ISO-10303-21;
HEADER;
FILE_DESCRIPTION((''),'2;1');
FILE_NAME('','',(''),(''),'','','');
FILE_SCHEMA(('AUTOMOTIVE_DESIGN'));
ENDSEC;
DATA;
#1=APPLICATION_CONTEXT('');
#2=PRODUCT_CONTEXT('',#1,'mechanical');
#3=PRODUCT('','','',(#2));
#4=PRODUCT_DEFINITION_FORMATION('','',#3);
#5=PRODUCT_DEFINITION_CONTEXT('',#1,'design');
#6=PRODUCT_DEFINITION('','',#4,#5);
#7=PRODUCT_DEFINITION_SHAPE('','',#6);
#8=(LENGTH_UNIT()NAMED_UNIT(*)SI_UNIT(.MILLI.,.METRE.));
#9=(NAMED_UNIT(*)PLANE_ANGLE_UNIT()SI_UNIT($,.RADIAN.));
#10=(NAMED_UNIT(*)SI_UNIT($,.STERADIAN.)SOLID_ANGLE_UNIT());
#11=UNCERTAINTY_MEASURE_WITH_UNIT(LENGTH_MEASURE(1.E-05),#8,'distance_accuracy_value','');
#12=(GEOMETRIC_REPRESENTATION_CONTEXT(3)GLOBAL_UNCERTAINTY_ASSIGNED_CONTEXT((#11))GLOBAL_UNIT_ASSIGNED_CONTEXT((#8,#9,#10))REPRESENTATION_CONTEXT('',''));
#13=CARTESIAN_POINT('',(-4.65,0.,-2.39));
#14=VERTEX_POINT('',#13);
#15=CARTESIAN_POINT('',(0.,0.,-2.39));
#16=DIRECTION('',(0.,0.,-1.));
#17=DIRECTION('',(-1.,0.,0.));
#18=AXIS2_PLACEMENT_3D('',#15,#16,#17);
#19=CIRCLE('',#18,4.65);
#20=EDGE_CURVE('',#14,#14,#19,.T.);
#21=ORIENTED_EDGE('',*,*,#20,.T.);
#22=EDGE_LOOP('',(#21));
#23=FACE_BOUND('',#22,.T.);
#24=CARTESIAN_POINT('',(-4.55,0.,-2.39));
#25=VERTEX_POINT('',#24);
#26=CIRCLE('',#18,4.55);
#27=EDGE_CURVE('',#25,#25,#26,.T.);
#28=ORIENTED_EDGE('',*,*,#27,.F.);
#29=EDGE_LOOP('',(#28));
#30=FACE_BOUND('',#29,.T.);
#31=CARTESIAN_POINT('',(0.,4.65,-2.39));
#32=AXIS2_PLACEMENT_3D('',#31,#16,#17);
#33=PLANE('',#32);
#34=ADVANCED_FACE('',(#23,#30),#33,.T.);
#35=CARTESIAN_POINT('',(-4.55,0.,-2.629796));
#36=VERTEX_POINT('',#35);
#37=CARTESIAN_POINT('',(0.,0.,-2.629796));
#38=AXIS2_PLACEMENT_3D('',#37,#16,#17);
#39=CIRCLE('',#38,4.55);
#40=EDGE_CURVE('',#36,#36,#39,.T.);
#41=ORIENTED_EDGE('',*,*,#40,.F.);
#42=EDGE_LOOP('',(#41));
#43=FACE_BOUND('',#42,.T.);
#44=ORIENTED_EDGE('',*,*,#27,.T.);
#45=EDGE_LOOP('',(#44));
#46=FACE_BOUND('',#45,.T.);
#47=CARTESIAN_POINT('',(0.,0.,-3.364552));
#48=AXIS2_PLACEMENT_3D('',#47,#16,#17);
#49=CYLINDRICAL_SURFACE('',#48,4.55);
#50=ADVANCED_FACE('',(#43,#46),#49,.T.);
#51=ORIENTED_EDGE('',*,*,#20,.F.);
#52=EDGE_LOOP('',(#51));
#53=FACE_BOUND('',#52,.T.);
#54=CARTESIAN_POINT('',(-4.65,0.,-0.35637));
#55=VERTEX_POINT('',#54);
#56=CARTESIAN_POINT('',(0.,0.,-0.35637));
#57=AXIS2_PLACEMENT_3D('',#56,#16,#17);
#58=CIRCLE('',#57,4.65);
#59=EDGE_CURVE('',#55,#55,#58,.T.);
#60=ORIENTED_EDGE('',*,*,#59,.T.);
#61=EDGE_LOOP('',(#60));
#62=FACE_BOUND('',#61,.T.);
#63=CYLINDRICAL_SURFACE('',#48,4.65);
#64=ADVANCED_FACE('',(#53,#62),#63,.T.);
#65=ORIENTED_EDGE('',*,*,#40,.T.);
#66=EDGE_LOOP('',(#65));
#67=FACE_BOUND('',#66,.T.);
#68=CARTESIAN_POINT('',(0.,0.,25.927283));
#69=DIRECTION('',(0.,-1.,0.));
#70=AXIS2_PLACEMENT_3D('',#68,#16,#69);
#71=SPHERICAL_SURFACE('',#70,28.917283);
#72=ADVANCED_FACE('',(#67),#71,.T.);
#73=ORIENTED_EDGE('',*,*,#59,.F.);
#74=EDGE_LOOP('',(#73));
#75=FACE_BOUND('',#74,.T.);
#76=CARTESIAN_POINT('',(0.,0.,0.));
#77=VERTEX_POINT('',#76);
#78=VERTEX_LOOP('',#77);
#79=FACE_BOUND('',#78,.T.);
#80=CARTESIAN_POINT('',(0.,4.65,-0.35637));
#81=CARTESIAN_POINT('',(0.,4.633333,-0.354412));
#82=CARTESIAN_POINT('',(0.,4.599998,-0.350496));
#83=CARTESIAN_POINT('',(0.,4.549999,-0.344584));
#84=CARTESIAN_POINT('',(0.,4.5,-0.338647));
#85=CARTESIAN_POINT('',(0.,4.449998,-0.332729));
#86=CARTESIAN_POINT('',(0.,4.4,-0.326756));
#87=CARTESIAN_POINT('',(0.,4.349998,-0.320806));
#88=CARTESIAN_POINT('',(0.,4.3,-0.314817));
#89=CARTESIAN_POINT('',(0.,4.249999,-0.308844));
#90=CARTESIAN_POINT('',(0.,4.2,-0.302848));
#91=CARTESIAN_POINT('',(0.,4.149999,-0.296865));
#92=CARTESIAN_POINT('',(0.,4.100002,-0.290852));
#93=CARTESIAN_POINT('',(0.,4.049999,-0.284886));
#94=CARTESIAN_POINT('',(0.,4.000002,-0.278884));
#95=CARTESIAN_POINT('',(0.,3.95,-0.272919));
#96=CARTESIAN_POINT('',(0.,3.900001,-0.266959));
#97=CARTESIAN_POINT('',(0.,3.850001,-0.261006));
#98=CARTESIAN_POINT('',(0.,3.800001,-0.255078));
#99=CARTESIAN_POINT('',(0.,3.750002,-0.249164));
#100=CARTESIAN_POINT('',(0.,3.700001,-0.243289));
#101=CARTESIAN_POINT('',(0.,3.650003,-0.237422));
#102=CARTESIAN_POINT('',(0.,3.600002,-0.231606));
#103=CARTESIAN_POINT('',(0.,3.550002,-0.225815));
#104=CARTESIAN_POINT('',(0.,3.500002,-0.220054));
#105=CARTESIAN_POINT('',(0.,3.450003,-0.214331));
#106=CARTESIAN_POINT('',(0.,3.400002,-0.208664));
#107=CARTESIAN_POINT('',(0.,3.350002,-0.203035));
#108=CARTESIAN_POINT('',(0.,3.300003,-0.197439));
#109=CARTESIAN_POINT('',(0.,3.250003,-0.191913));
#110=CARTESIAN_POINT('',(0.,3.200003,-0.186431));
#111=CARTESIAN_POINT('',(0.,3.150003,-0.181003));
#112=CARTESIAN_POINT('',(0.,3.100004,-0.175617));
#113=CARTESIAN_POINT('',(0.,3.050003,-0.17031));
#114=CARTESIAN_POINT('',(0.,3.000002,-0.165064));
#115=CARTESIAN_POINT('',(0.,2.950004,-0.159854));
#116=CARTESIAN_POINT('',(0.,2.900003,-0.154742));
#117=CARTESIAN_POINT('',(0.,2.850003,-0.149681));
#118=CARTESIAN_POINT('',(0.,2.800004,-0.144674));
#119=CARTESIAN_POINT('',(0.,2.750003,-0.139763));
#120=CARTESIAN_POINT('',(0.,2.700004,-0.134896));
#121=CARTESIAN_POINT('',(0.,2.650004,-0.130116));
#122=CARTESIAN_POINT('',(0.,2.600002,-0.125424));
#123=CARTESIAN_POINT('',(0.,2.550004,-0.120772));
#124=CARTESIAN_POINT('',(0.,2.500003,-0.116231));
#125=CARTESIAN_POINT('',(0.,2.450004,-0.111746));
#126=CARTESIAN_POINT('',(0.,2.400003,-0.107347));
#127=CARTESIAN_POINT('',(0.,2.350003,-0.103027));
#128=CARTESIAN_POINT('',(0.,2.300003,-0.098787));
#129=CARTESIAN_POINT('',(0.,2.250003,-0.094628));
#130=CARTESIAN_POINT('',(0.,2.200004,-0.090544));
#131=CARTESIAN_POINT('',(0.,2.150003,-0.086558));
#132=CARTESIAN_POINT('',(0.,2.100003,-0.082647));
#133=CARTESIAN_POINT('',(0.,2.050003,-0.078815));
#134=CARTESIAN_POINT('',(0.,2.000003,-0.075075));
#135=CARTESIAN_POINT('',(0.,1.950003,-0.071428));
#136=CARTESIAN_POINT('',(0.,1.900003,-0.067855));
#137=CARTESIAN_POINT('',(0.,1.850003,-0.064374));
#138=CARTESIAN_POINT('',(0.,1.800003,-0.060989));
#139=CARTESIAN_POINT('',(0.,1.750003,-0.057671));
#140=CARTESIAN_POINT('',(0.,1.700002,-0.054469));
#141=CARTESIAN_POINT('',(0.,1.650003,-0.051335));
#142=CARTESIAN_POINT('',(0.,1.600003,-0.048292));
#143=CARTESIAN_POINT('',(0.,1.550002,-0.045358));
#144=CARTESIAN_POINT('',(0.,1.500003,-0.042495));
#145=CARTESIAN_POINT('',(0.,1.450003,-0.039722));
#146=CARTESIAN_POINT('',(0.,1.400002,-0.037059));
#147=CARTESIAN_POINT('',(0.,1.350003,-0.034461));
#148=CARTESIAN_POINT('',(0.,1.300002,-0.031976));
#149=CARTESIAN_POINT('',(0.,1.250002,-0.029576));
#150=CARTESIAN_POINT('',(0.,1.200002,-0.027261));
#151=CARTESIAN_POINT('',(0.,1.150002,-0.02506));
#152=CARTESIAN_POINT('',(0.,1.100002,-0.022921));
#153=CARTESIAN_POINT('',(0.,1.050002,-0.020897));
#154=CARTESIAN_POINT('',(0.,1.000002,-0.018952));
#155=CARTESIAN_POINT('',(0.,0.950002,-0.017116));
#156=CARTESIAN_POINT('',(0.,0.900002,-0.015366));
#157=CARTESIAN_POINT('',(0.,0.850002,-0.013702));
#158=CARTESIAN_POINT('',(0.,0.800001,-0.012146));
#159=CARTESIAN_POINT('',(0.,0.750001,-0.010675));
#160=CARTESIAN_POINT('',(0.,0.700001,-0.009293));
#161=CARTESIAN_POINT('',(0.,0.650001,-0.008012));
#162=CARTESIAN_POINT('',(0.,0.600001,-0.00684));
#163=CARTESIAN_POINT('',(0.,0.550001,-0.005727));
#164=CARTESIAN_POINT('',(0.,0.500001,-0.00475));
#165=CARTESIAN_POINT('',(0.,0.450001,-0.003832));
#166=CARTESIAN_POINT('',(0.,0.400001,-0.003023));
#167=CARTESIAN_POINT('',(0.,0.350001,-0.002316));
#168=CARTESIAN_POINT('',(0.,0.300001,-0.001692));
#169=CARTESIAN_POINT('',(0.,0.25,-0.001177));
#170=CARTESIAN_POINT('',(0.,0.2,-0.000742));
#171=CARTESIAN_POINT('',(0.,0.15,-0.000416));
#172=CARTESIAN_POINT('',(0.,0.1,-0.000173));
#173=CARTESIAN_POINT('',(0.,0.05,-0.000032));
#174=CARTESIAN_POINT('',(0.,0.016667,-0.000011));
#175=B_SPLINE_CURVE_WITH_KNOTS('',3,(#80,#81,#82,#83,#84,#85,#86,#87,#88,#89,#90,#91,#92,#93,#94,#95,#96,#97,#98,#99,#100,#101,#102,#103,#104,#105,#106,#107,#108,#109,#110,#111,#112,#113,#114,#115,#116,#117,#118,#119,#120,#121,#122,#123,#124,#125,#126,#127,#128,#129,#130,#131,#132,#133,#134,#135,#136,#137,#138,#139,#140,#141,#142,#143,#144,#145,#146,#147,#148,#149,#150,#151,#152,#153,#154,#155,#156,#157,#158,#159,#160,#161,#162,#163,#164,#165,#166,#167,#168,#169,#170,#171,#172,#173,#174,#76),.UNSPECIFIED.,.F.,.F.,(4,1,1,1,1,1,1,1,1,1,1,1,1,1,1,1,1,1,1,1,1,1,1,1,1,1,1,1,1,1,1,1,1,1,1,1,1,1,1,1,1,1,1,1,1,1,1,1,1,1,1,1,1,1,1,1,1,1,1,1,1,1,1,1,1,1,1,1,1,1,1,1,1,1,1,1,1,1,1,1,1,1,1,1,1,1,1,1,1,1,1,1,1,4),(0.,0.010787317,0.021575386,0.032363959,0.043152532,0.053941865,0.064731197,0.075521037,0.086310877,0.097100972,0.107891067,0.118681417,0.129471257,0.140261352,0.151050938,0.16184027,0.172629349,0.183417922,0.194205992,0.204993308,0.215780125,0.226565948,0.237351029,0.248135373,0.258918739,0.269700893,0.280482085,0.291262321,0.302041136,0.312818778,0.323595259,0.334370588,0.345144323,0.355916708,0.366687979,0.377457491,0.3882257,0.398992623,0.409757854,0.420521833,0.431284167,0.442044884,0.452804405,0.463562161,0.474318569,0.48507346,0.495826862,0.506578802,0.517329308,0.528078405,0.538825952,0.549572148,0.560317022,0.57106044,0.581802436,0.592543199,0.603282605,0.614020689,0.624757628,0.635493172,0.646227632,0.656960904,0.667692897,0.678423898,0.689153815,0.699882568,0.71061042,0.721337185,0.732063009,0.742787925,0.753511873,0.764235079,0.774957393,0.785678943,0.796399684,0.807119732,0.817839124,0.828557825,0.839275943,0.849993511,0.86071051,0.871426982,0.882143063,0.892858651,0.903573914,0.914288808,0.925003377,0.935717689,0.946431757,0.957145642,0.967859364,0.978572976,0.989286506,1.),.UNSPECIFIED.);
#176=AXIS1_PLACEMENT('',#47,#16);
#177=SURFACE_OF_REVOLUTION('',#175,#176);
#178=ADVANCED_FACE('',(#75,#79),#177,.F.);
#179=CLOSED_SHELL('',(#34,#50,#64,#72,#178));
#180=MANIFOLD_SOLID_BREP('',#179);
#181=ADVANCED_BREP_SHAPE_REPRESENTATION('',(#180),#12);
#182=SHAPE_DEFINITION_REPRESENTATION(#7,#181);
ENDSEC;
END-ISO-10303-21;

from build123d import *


with BuildPart() as part:
    # Sketch1 → Revolve1 (revolve)
    with BuildSketch(Plane(origin=(0, 0, 0), x_dir=(0, 0, -1), z_dir=(1, 0, 0)), mode=Mode.PRIVATE) as revolve1_sk:
        with BuildLine():
            Line((0, 0), (2.99, 0))
            ThreePointArc((2.99, 0), (2.899808326, 2.28211782), (2.629795913, 4.55))
            Line((2.629795913, 4.55), (2.39, 4.55))
            Line((2.39, 4.55), (2.39, 4.65))
            Line((2.39, 4.65), (0.35637, 4.65))
            add(Edge.make_bspline(
                [(0, 0), (1.0585e-05, 0.016666675), (3.1754e-05, 0.050000082), (0.000172984, 0.100000196), (0.000416313, 0.150000247), (0.000741771, 0.200000393), (0.00117662, 0.250000412), (0.001691776, 0.300000587), (0.002316315, 0.350000583), (0.003023011, 0.40000076), (0.003831708, 0.450000894), (0.004750245, 0.500000688), (0.005727405, 0.550001239), (0.00684027, 0.600000834), (0.008011649, 0.650001266), (0.009293313, 0.700001334), (0.01067531, 0.750001275), (0.01214567, 0.800001341), (0.013702261, 0.850001644), (0.015365589, 0.900001517), (0.0171157, 0.950001587), (0.018951964, 1.000001943), (0.020896861, 1.050001711), (0.022921025, 1.100002178), (0.025059538, 1.150001612), (0.027261298, 1.200002349), (0.029575863, 1.250002083), (0.031975857, 1.300002154), (0.03446136, 1.350002643), (0.037059448, 1.400001958), (0.039721548, 1.450002813), (0.042495217, 1.500002527), (0.045358437, 1.550002215), (0.048291875, 1.600003075), (0.051335098, 1.650002776), (0.054468758, 1.7000024), (0.057670873, 1.750003421), (0.060988964, 1.800002529), (0.064374387, 1.85000313), (0.067854739, 1.900003194), (0.071427974, 1.950002793), (0.075074642, 2.00000335), (0.078814906, 2.050003415), (0.082647252, 2.100003052), (0.086557534, 2.150003089), (0.09054412, 2.200003703), (0.094627689, 2.250003213), (0.098786764, 2.300003351), (0.103026935, 2.350003402), (0.107347243, 2.400003436), (0.111745903, 2.450003623), (0.116230995, 2.500002917), (0.120771898, 2.550004422), (0.125423536, 2.600002475), (0.130115659, 2.650003882), (0.134895907, 2.700003934), (0.139762863, 2.750002653), (0.144674474, 2.800004184), (0.149681451, 2.850002876), (0.154741593, 2.900002887), (0.159854091, 2.950004395), (0.165064395, 3.000002331), (0.170310094, 3.050003154), (0.175617215, 3.100003863), (0.181003305, 3.150002527), (0.186431372, 3.200002759), (0.19191297, 3.250002608), (0.197438586, 3.300003494), (0.203034761, 3.350002086), (0.208663943, 3.40000219), (0.214331023, 3.450002921), (0.220053799, 3.500002244), (0.22581534, 3.550001694), (0.231606071, 3.600001616), (0.237421619, 3.650002537), (0.243288933, 3.700000908), (0.249163602, 3.750001933), (0.255077802, 3.80000105), (0.261006064, 3.85000126), (0.266958731, 3.900000549), (0.272919479, 3.950000459), (0.278883821, 4.000001537), (0.284885897, 4.049998895), (0.290852452, 4.100001703), (0.296864862, 4.149999018), (0.302847864, 4.200000256), (0.308843588, 4.249999172), (0.314817453, 4.300000304), (0.320806458, 4.349998433), (0.326756057, 4.40000047), (0.332729079, 4.449997731), (0.33864665, 4.500000398), (0.344584088, 4.549998725), (0.350496215, 4.599998089), (0.354412117, 4.633333084), (0.35637, 4.65)],
                knots=[0, 0, 0, 0, 0.010713494, 0.021427024, 0.032140636, 0.042854358, 0.053568243, 0.064282311, 0.074996623, 0.085711192, 0.096426086, 0.107141349, 0.117856937, 0.128573018, 0.13928949, 0.150006489, 0.160724057, 0.171442175, 0.182160876, 0.192880268, 0.203600316, 0.214321057, 0.225042607, 0.235764921, 0.246488127, 0.257212075, 0.267936991, 0.278662815, 0.28938958, 0.300117432, 0.310846185, 0.321576102, 0.332307103, 0.343039096, 0.353772368, 0.364506828, 0.375242372, 0.385979311, 0.396717395, 0.407456801, 0.418197564, 0.42893956, 0.439682978, 0.450427852, 0.461174048, 0.471921595, 0.482670692, 0.493421198, 0.504173138, 0.51492654, 0.525681431, 0.536437839, 0.547195595, 0.557955116, 0.568715833, 0.579478167, 0.590242146, 0.601007377, 0.6117743, 0.622542509, 0.633312021, 0.644083292, 0.654855677, 0.665629412, 0.676404741, 0.687181222, 0.697958864, 0.708737679, 0.719517915, 0.730299107, 0.741081261, 0.751864627, 0.762648971, 0.773434052, 0.784219875, 0.795006692, 0.805794008, 0.816582078, 0.827370651, 0.83815973, 0.848949062, 0.859738648, 0.870528743, 0.881318583, 0.892108933, 0.902899028, 0.913689123, 0.924478963, 0.935268803, 0.946058135, 0.956847468, 0.967636041, 0.978424614, 0.989212683, 1, 1, 1, 1], degree=3))
        make_face()
    revolve(revolve1_sk.sketch.rotate(Axis((0, 0, -3.364551637), (0, 0, 1)), 90), axis=Axis((0, 0, -3.364551637), (0, 0, 1)))


solid = part.part
